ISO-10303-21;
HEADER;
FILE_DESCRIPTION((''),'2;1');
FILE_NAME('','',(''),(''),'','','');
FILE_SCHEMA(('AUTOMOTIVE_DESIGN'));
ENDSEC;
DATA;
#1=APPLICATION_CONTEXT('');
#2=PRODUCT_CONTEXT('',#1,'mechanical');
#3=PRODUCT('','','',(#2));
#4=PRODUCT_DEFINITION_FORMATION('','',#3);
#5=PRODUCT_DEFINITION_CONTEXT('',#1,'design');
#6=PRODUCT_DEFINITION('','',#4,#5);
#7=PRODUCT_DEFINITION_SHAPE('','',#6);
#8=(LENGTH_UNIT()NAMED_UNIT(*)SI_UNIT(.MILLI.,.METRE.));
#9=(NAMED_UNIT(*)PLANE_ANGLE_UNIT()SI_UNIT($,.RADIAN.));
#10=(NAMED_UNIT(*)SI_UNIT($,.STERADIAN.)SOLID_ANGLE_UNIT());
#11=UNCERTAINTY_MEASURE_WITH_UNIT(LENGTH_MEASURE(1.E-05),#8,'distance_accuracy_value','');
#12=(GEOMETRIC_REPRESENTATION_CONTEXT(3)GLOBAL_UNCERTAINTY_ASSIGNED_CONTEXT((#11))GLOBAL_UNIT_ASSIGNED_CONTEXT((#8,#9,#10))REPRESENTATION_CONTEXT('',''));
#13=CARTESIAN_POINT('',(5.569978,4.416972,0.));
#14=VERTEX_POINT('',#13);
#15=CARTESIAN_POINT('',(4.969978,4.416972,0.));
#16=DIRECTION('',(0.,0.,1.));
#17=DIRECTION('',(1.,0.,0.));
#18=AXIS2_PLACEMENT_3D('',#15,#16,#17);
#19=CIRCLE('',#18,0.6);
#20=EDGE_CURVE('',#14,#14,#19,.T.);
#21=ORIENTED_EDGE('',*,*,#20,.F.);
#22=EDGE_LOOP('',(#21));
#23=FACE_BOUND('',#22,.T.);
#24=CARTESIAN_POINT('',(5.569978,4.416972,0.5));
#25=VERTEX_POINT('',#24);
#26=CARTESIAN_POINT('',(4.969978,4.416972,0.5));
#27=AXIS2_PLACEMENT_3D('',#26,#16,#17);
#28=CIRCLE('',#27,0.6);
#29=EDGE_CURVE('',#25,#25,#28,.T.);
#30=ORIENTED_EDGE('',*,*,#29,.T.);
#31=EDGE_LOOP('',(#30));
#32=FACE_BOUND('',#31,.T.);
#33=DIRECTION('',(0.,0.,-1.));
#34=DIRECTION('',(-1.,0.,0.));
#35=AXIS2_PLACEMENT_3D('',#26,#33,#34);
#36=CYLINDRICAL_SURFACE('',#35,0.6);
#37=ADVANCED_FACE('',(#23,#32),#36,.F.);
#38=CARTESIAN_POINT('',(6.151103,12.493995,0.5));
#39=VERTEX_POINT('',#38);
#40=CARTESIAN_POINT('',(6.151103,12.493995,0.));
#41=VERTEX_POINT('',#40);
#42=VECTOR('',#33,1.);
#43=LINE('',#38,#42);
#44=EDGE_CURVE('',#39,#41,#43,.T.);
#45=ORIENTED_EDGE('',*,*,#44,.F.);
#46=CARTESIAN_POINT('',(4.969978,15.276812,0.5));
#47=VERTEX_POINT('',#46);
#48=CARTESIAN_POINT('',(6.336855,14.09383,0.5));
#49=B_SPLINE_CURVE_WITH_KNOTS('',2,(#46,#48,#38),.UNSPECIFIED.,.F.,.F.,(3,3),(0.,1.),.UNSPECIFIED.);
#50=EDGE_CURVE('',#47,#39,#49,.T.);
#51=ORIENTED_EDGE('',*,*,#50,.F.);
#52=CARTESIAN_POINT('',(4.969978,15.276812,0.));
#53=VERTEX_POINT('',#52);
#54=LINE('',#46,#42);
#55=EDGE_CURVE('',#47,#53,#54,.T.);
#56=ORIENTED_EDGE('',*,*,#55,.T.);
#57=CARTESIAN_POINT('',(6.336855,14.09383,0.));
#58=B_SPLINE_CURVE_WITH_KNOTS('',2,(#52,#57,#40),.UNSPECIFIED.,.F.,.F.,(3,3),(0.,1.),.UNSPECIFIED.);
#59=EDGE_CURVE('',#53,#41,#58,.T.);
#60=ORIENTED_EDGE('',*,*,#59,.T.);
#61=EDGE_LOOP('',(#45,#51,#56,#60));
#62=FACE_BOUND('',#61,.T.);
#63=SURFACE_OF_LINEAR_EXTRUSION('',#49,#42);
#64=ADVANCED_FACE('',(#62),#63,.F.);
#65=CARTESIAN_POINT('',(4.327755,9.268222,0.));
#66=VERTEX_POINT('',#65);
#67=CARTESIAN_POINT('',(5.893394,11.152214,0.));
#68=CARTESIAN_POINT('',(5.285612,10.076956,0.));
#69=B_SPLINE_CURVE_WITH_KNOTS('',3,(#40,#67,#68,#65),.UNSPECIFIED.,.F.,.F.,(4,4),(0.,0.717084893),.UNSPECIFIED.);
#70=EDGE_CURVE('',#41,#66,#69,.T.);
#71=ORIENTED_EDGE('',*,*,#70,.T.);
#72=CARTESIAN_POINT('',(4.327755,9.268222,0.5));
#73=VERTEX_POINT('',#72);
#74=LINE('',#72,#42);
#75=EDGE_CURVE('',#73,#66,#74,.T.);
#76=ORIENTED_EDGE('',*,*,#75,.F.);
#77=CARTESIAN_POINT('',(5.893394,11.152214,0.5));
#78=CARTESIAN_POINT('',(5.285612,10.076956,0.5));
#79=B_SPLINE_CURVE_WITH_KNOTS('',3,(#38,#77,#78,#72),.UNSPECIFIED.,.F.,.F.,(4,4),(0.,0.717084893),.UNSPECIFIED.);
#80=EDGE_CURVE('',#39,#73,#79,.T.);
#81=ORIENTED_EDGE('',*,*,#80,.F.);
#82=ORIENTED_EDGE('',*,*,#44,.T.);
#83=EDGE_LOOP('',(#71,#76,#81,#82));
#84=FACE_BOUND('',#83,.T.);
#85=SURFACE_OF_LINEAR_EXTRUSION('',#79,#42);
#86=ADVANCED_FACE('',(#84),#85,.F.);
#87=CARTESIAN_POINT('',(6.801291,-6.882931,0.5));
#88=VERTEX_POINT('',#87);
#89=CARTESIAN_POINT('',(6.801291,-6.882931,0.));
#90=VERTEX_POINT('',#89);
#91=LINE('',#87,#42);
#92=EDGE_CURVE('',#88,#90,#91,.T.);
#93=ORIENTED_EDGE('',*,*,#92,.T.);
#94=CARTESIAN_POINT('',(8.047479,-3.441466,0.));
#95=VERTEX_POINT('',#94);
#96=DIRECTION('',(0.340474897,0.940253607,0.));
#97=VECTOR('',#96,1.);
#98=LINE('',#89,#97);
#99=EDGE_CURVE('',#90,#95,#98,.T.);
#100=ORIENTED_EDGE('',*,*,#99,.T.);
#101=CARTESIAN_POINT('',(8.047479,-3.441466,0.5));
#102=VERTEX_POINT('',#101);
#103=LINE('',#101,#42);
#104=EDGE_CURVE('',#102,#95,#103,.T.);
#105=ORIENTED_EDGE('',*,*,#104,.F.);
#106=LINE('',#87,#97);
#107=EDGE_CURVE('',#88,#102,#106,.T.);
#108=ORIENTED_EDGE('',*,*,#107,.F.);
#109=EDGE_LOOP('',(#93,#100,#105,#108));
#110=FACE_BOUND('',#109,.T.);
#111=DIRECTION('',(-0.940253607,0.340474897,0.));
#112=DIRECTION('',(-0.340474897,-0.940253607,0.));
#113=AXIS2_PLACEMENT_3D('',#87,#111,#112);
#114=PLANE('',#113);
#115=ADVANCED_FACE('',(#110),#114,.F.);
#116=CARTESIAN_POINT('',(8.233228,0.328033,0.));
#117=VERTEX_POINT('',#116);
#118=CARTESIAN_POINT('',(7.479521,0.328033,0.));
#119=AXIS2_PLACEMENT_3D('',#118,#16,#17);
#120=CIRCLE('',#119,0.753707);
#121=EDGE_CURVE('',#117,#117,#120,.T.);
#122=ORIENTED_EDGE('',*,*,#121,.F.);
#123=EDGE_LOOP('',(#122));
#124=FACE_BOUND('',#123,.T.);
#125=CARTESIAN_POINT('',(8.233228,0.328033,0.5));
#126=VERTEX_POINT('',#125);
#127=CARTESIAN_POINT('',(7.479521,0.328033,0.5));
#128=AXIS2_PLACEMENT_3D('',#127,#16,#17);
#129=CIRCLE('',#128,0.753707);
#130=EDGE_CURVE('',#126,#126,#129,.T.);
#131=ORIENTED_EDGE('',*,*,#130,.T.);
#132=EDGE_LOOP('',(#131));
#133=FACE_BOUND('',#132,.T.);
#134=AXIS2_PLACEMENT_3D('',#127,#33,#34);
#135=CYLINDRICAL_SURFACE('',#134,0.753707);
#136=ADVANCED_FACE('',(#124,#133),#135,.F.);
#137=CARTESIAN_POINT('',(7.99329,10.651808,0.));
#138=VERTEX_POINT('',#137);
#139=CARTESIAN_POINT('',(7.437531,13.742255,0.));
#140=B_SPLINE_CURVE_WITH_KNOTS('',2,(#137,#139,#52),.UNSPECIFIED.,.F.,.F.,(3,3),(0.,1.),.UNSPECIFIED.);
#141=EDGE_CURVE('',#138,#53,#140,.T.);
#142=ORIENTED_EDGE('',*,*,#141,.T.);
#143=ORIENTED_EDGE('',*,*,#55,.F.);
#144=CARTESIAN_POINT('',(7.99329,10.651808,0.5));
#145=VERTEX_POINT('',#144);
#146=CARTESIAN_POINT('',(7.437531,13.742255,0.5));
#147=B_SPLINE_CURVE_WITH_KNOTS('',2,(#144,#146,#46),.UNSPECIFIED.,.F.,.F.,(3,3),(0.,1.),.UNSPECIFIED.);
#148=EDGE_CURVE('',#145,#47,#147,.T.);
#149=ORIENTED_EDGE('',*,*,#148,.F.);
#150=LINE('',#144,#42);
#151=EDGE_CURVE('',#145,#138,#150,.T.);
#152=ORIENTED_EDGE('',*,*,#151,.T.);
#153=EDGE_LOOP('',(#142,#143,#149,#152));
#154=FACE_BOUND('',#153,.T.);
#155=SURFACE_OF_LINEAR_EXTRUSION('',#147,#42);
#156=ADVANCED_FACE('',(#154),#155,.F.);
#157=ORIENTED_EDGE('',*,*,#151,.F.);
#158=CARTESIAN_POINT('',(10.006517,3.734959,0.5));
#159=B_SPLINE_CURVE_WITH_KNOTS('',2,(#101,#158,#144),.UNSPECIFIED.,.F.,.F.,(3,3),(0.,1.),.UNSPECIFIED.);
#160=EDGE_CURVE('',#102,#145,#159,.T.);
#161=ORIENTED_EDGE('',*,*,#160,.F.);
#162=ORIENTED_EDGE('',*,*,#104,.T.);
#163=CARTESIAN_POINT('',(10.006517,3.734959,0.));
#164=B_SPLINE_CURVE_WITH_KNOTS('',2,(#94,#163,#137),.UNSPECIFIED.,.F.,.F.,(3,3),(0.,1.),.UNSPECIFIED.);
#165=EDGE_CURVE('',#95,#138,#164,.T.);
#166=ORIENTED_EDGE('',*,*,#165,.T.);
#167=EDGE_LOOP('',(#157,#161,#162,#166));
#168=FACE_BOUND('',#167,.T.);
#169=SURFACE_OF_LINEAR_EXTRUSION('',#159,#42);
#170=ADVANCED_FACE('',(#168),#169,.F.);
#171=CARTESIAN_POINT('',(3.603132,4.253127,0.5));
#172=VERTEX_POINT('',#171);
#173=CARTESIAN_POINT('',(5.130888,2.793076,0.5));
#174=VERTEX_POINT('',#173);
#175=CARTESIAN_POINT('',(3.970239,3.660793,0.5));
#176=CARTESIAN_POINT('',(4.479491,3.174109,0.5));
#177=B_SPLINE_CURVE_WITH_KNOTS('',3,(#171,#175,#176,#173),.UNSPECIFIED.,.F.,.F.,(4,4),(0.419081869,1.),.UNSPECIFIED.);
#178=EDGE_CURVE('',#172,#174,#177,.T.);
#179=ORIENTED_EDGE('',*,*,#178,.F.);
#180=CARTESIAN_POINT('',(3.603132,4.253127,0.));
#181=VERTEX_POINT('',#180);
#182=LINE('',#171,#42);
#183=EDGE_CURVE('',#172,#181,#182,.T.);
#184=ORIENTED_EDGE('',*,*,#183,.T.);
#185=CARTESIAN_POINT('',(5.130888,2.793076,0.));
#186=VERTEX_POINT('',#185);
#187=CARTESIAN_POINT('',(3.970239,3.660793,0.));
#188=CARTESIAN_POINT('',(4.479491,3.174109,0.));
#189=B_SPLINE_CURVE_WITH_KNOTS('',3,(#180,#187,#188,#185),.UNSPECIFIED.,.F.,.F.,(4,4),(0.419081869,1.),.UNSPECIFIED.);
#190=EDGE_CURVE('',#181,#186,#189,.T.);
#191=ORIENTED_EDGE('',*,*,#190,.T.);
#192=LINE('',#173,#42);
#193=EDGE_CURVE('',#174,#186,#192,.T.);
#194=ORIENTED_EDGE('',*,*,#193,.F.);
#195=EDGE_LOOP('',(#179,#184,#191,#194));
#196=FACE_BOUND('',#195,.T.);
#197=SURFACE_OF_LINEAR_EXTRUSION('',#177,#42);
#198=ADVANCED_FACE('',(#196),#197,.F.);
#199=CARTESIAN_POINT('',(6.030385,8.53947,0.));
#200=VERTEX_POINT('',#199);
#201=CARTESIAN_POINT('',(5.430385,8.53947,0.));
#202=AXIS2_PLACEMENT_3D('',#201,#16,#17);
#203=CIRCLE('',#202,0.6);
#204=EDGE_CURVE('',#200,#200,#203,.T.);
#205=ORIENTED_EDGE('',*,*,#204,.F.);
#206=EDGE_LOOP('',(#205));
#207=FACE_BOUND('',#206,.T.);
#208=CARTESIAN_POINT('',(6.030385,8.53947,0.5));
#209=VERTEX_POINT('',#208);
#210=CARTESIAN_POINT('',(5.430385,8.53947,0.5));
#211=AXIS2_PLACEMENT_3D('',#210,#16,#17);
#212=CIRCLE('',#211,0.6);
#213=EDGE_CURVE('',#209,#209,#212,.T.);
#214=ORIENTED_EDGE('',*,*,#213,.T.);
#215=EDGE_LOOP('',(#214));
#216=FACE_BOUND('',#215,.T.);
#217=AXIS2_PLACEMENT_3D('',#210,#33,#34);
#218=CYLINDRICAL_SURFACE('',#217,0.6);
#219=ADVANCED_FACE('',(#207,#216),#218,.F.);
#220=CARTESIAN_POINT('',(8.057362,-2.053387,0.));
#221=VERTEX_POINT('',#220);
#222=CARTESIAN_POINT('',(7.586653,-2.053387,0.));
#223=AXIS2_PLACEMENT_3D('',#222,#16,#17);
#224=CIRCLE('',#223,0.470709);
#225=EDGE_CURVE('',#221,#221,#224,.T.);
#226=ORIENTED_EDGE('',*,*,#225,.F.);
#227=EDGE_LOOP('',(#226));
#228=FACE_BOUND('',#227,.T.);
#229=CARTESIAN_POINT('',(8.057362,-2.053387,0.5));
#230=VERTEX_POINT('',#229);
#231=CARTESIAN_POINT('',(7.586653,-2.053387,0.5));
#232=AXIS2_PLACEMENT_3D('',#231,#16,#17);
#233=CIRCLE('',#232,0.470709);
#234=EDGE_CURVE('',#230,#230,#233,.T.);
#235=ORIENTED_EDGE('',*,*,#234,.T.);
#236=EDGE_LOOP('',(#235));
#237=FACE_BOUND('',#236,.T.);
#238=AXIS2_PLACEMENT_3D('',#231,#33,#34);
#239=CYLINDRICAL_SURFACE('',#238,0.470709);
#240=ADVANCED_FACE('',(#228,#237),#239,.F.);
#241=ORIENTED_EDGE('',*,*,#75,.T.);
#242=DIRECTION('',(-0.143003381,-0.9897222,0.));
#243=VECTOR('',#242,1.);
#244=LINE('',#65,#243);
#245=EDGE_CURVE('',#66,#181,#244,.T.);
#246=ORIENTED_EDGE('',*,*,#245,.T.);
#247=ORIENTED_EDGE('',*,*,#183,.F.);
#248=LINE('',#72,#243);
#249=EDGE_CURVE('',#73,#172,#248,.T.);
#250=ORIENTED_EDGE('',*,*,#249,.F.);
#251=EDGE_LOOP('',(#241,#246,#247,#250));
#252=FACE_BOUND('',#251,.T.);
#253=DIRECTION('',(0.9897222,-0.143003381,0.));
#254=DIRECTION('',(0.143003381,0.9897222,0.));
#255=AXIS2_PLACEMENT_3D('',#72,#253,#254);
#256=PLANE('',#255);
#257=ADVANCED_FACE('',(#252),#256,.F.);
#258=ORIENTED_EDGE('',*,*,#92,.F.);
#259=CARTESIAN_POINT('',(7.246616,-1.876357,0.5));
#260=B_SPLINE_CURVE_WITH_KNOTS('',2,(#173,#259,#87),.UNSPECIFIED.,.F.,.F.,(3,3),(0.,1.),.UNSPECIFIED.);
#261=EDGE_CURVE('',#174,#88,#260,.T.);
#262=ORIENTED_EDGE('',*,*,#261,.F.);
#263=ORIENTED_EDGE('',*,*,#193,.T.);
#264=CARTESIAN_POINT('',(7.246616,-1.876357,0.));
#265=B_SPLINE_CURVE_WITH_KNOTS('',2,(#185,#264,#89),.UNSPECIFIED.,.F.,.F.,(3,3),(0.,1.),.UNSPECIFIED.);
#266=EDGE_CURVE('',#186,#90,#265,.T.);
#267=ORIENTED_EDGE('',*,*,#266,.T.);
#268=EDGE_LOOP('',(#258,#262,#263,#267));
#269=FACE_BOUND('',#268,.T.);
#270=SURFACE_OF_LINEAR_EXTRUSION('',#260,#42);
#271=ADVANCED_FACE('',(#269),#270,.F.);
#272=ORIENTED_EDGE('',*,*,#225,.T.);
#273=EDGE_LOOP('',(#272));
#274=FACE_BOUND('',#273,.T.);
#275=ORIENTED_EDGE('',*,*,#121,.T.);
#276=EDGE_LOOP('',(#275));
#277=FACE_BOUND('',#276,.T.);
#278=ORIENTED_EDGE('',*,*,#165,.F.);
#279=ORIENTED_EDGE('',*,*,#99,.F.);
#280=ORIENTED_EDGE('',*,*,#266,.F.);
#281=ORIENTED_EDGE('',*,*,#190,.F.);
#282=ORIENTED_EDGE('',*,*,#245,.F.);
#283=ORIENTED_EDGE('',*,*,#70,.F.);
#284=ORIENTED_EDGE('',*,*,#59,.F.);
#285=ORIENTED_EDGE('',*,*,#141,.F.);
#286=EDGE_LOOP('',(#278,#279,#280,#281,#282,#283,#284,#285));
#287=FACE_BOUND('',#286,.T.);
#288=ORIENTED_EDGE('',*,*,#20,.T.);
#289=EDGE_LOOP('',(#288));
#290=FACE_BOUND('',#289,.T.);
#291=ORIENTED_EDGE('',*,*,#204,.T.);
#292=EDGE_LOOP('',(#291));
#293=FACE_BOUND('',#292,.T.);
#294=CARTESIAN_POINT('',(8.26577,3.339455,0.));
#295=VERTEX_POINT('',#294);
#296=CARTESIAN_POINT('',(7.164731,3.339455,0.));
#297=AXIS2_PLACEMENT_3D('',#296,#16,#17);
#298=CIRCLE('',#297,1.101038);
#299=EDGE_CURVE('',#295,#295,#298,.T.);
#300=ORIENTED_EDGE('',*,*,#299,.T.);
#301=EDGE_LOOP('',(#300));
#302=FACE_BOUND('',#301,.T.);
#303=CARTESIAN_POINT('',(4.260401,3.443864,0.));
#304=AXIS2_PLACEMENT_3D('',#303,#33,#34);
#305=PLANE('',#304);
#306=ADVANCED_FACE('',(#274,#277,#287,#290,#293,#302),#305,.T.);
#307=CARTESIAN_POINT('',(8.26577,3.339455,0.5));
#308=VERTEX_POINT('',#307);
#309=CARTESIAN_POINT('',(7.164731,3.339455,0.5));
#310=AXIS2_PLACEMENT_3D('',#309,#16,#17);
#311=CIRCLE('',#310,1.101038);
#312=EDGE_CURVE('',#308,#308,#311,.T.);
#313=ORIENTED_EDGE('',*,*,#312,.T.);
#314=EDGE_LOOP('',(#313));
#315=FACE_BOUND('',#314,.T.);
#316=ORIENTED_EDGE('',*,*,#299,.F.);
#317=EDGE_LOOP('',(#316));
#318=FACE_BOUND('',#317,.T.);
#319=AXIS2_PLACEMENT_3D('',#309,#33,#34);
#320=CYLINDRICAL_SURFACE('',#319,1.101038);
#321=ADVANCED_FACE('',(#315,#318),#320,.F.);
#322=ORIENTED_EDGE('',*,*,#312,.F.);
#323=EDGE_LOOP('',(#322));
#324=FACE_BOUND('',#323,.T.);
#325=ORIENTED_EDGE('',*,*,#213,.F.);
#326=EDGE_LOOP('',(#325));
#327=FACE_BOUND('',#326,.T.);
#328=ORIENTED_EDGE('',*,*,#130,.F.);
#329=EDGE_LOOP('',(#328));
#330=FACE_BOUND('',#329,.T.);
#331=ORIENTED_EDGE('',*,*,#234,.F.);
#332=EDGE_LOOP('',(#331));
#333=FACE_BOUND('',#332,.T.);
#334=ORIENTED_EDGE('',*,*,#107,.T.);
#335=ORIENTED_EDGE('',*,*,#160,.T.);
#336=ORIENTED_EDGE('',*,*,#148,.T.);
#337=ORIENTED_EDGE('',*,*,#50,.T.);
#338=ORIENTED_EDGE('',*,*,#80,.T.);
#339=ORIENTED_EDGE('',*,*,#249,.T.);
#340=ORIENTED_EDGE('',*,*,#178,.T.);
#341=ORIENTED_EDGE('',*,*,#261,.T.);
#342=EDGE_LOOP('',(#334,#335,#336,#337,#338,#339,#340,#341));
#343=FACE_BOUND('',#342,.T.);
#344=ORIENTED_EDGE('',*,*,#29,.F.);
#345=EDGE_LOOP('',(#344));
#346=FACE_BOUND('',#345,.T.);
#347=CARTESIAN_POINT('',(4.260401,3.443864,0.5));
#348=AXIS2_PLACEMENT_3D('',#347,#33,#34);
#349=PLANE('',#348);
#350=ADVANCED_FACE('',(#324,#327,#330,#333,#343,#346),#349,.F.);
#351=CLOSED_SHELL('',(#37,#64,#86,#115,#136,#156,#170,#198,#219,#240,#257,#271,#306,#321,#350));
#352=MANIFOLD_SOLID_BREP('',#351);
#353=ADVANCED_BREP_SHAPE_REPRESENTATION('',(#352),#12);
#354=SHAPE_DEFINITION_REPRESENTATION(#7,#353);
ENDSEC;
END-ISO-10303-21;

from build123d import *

# Parameters (mm, degrees)
ESQUISSE1_R        = 1.101038198
ESQUISSE1_R_2      = 0.6
ESQUISSE1_R_3      = 0.753706931
ESQUISSE1_R_4      = 0.470708968
BOSS_EXTRU_1_DEPTH = 0.5


with BuildPart() as part:
    # Esquisse1 → Boss.-Extru.1 (new body)
    with BuildSketch(Plane.XY):
        with BuildLine():
            Line((4.327755202, 9.268221518), (3.603132185, 4.253126908))
            add(Edge.make_bspline(
                [(3.603132185, 4.253126908), (3.97023948, 3.660792989), (4.479491264, 3.174109207), (5.130887536, 2.793075563)],
                knots=[0.419081869, 0.419081869, 0.419081869, 0.419081869, 1, 1, 1, 1], degree=3))
            add(Edge.make_bspline(
                [(5.130887536, 2.793075563), (7.24661574, -1.876356548), (6.801291284, -6.882931027)],
                knots=[0, 0, 0, 1, 1, 1], degree=2))
            Line((6.801291284, -6.882931027), (8.047479128, -3.441465514))
            add(Edge.make_bspline(
                [(7.993289874, 10.651808238), (10.006516758, 3.73495856), (8.047479128, -3.441465514)],
                knots=[0, 0, 0, 1, 1, 1], degree=2))
            add(Edge.make_bspline(
                [(7.993289874, 10.651808238), (7.437530526, 13.742255062), (4.969978084, 15.276811926)],
                knots=[0, 0, 0, 1, 1, 1], degree=2))
            add(Edge.make_bspline(
                [(4.969978084, 15.276811926), (6.336855169, 14.093829897), (6.151102735, 12.493995378)],
                knots=[0, 0, 0, 1, 1, 1], degree=2))
            add(Edge.make_bspline(
                [(6.151102735, 12.493995378), (5.8933943, 11.152214383), (5.285611789, 10.07695643), (4.327755202, 9.268221518)],
                knots=[0, 0, 0, 0, 0.717084893, 0.717084893, 0.717084893, 0.717084893], degree=3))
        make_face()
        with Locations((7.16473136, 3.33945502)):
            Circle(ESQUISSE1_R, mode=Mode.SUBTRACT)
        with Locations((5.43038475, 8.539470271)):
            Circle(ESQUISSE1_R_2, mode=Mode.SUBTRACT)
        with Locations((7.47952091, 0.328032682)):
            Circle(ESQUISSE1_R_3, mode=Mode.SUBTRACT)
        with Locations((7.586653272, -2.053387377)):
            Circle(ESQUISSE1_R_4, mode=Mode.SUBTRACT)
        with Locations((4.969978084, 4.416971754)):
            Circle(ESQUISSE1_R_2, mode=Mode.SUBTRACT)
    extrude(amount=BOSS_EXTRU_1_DEPTH)


solid = part.part
